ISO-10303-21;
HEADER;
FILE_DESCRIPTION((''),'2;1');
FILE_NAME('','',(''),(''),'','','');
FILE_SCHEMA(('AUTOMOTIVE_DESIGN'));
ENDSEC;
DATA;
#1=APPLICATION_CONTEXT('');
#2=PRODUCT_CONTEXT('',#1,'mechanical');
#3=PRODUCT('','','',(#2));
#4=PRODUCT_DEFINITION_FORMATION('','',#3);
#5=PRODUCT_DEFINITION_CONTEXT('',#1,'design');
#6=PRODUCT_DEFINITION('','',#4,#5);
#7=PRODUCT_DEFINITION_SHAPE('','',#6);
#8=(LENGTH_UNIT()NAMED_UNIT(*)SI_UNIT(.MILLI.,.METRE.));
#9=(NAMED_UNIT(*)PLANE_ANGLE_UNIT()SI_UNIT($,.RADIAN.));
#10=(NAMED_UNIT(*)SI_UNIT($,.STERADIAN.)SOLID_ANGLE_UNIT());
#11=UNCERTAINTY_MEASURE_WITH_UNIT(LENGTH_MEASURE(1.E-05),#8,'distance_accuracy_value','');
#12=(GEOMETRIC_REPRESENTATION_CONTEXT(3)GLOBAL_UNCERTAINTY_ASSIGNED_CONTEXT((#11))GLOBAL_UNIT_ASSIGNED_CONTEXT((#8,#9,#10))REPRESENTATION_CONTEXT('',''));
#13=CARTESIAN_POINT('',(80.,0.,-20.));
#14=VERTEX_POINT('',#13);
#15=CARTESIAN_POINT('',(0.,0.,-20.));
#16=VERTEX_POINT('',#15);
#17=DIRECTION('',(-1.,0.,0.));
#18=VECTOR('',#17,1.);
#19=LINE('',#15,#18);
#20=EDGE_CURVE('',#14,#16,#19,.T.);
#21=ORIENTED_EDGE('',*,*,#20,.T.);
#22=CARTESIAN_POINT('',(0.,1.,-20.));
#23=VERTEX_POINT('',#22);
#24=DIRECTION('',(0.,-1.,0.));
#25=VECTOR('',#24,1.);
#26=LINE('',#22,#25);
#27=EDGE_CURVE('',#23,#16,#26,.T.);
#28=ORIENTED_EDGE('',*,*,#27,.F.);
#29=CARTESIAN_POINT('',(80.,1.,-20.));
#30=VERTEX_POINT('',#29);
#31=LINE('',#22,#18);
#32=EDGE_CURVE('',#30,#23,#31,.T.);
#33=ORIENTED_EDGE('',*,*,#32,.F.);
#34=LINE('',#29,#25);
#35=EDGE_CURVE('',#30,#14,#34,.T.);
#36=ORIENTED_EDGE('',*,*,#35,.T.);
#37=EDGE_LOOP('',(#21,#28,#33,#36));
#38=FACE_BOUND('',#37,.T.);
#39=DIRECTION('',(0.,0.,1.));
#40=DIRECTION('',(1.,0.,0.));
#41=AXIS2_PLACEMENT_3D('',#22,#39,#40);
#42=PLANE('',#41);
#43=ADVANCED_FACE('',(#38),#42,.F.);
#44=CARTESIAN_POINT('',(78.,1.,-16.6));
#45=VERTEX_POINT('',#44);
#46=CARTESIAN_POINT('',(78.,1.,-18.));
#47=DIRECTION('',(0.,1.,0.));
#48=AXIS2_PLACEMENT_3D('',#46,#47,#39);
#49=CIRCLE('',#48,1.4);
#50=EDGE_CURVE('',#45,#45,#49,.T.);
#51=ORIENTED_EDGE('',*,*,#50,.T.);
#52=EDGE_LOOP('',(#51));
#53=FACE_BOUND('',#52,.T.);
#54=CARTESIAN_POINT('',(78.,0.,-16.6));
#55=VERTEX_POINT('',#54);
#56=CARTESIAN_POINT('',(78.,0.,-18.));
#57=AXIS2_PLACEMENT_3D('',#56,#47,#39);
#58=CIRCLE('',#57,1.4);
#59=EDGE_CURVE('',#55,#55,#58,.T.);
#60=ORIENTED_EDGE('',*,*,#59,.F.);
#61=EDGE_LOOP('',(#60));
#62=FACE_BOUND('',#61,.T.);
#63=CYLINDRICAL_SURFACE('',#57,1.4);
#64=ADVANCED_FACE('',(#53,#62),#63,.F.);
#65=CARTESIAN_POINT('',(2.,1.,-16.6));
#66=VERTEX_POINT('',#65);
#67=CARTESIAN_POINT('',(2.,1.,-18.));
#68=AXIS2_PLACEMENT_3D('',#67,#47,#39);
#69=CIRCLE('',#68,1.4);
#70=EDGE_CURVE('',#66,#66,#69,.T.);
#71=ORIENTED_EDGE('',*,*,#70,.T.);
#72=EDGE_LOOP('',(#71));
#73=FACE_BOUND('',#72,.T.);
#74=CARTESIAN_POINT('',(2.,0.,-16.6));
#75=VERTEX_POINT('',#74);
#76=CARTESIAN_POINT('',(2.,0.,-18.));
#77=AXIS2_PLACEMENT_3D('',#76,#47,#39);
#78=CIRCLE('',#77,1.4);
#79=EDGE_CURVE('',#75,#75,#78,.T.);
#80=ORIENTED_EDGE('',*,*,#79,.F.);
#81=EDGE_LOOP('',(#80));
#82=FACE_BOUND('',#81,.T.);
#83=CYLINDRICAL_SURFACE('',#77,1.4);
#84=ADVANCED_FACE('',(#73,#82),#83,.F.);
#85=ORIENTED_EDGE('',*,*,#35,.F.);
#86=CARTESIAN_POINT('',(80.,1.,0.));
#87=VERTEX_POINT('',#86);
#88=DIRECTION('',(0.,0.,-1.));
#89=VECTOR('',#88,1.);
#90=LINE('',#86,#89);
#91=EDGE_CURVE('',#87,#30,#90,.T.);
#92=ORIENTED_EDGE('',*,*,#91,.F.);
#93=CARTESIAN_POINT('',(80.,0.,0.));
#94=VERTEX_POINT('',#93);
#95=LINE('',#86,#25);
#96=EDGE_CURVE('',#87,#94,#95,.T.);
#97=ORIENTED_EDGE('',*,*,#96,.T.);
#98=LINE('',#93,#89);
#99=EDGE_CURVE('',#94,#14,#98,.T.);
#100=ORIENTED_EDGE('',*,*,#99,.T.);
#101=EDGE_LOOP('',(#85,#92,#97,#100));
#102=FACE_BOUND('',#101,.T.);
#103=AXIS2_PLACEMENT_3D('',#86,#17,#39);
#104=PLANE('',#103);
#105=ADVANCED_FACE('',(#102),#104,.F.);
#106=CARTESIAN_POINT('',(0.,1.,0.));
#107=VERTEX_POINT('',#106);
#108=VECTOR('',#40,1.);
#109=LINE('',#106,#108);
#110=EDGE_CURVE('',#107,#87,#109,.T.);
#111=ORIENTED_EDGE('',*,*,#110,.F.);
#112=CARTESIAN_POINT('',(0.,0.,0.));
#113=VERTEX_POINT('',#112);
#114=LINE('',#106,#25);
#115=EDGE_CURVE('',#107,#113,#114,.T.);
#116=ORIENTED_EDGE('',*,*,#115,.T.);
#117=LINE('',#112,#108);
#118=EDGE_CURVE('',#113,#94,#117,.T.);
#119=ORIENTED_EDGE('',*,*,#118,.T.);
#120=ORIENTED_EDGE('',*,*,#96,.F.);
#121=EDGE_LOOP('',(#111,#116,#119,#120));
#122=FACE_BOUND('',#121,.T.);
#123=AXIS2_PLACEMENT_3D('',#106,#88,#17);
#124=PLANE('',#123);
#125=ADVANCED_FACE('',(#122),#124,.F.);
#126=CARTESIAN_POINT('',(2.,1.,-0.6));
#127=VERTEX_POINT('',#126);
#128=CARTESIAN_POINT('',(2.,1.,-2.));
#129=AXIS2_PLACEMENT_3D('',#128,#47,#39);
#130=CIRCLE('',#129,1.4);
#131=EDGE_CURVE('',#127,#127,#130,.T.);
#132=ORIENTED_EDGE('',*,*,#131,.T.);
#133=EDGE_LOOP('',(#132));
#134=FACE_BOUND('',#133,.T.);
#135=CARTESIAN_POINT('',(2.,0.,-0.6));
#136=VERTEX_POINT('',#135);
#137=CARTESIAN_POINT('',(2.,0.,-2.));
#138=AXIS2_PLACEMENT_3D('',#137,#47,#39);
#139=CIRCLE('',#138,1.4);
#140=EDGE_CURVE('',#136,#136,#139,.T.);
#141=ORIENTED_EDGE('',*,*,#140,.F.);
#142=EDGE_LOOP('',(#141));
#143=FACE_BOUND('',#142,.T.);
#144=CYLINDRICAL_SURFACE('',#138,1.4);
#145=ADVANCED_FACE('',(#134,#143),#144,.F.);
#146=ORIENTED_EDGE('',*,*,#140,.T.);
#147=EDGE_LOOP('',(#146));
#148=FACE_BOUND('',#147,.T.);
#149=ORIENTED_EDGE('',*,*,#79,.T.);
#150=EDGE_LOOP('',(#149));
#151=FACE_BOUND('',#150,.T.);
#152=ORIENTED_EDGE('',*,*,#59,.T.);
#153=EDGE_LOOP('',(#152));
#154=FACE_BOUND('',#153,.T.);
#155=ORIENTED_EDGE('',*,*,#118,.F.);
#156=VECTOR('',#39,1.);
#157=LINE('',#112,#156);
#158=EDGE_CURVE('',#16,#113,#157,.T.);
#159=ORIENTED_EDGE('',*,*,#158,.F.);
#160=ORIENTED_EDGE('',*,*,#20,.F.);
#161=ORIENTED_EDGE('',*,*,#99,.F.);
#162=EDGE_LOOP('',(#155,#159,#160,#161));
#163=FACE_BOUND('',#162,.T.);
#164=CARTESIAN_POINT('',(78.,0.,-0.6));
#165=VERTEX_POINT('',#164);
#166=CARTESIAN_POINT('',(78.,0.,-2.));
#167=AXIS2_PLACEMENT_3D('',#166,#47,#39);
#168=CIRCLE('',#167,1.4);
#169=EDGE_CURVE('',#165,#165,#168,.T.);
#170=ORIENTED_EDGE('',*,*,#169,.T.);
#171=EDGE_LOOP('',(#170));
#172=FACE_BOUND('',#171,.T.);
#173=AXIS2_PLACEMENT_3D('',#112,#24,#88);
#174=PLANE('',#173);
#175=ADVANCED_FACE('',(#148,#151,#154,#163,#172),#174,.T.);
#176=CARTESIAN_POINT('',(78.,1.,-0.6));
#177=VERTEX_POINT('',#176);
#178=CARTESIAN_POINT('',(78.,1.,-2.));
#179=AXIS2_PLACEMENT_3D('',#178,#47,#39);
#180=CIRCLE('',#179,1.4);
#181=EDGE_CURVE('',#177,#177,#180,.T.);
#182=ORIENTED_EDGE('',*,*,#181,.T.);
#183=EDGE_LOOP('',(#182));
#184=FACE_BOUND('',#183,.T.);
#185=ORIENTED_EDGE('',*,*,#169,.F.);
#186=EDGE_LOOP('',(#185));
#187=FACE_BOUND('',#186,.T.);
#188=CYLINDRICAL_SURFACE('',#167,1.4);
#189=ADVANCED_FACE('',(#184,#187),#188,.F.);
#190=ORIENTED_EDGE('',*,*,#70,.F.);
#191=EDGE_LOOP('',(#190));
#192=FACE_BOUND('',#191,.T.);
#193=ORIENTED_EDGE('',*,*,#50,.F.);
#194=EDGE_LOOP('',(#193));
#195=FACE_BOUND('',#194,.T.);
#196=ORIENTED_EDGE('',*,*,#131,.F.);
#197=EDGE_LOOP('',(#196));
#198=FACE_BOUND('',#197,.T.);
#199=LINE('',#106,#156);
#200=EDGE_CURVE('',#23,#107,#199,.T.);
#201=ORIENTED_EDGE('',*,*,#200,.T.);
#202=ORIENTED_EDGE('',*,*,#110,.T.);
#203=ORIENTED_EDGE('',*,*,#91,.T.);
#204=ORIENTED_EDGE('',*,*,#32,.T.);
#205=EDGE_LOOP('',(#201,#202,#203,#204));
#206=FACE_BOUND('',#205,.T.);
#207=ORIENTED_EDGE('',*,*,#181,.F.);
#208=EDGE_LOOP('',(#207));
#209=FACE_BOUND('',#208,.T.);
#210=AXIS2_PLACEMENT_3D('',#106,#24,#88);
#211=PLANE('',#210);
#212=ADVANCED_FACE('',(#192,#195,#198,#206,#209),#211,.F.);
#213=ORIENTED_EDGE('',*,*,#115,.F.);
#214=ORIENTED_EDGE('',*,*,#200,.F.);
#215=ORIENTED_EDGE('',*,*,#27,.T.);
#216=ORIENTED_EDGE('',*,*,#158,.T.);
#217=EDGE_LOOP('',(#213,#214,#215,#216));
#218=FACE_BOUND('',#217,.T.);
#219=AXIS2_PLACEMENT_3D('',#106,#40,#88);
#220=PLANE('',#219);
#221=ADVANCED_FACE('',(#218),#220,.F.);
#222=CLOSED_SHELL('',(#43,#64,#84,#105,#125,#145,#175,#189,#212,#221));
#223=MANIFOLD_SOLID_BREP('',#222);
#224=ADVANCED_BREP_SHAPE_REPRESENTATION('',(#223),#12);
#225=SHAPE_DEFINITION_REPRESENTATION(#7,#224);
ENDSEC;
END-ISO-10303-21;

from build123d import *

# Parameters (mm, degrees)
SKETCH1_W           = 80
SKETCH1_H           = 20
BOSS_EXTRUDE1_DEPTH = 1
SKETCH2_R           = 1.4
CUT_EXTRUDE1_DEPTH  = 83.46817568


with BuildPart() as part:
    # Sketch1 → Boss-Extrude1 (new body)
    with BuildSketch(Plane(origin=(0, 0, 0), x_dir=(1, 0, 0), z_dir=(0, 1, 0))):
        with Locations((40, 10)):
            Rectangle(SKETCH1_W, SKETCH1_H)
    extrude(amount=BOSS_EXTRUDE1_DEPTH)

    # Sketch2 → Cut-Extrude1 (cut, through all)
    with BuildSketch(Plane(origin=(0, 1, 0), x_dir=(1, 0, 0), z_dir=(0, 1, 0))):
        with Locations(Location((2, 18, 0), (0, 0, 270))):
            Circle(SKETCH2_R)
        with Locations(Location((78, 18, 0), (0, 0, 270))):
            Circle(SKETCH2_R)
        with Locations(Location((78, 2, 0), (0, 0, 270))):
            Circle(SKETCH2_R)
        with Locations(Location((2, 2, 0), (0, 0, 270))):
            Circle(SKETCH2_R)
    extrude(amount=-CUT_EXTRUDE1_DEPTH, mode=Mode.SUBTRACT)


solid = part.part
